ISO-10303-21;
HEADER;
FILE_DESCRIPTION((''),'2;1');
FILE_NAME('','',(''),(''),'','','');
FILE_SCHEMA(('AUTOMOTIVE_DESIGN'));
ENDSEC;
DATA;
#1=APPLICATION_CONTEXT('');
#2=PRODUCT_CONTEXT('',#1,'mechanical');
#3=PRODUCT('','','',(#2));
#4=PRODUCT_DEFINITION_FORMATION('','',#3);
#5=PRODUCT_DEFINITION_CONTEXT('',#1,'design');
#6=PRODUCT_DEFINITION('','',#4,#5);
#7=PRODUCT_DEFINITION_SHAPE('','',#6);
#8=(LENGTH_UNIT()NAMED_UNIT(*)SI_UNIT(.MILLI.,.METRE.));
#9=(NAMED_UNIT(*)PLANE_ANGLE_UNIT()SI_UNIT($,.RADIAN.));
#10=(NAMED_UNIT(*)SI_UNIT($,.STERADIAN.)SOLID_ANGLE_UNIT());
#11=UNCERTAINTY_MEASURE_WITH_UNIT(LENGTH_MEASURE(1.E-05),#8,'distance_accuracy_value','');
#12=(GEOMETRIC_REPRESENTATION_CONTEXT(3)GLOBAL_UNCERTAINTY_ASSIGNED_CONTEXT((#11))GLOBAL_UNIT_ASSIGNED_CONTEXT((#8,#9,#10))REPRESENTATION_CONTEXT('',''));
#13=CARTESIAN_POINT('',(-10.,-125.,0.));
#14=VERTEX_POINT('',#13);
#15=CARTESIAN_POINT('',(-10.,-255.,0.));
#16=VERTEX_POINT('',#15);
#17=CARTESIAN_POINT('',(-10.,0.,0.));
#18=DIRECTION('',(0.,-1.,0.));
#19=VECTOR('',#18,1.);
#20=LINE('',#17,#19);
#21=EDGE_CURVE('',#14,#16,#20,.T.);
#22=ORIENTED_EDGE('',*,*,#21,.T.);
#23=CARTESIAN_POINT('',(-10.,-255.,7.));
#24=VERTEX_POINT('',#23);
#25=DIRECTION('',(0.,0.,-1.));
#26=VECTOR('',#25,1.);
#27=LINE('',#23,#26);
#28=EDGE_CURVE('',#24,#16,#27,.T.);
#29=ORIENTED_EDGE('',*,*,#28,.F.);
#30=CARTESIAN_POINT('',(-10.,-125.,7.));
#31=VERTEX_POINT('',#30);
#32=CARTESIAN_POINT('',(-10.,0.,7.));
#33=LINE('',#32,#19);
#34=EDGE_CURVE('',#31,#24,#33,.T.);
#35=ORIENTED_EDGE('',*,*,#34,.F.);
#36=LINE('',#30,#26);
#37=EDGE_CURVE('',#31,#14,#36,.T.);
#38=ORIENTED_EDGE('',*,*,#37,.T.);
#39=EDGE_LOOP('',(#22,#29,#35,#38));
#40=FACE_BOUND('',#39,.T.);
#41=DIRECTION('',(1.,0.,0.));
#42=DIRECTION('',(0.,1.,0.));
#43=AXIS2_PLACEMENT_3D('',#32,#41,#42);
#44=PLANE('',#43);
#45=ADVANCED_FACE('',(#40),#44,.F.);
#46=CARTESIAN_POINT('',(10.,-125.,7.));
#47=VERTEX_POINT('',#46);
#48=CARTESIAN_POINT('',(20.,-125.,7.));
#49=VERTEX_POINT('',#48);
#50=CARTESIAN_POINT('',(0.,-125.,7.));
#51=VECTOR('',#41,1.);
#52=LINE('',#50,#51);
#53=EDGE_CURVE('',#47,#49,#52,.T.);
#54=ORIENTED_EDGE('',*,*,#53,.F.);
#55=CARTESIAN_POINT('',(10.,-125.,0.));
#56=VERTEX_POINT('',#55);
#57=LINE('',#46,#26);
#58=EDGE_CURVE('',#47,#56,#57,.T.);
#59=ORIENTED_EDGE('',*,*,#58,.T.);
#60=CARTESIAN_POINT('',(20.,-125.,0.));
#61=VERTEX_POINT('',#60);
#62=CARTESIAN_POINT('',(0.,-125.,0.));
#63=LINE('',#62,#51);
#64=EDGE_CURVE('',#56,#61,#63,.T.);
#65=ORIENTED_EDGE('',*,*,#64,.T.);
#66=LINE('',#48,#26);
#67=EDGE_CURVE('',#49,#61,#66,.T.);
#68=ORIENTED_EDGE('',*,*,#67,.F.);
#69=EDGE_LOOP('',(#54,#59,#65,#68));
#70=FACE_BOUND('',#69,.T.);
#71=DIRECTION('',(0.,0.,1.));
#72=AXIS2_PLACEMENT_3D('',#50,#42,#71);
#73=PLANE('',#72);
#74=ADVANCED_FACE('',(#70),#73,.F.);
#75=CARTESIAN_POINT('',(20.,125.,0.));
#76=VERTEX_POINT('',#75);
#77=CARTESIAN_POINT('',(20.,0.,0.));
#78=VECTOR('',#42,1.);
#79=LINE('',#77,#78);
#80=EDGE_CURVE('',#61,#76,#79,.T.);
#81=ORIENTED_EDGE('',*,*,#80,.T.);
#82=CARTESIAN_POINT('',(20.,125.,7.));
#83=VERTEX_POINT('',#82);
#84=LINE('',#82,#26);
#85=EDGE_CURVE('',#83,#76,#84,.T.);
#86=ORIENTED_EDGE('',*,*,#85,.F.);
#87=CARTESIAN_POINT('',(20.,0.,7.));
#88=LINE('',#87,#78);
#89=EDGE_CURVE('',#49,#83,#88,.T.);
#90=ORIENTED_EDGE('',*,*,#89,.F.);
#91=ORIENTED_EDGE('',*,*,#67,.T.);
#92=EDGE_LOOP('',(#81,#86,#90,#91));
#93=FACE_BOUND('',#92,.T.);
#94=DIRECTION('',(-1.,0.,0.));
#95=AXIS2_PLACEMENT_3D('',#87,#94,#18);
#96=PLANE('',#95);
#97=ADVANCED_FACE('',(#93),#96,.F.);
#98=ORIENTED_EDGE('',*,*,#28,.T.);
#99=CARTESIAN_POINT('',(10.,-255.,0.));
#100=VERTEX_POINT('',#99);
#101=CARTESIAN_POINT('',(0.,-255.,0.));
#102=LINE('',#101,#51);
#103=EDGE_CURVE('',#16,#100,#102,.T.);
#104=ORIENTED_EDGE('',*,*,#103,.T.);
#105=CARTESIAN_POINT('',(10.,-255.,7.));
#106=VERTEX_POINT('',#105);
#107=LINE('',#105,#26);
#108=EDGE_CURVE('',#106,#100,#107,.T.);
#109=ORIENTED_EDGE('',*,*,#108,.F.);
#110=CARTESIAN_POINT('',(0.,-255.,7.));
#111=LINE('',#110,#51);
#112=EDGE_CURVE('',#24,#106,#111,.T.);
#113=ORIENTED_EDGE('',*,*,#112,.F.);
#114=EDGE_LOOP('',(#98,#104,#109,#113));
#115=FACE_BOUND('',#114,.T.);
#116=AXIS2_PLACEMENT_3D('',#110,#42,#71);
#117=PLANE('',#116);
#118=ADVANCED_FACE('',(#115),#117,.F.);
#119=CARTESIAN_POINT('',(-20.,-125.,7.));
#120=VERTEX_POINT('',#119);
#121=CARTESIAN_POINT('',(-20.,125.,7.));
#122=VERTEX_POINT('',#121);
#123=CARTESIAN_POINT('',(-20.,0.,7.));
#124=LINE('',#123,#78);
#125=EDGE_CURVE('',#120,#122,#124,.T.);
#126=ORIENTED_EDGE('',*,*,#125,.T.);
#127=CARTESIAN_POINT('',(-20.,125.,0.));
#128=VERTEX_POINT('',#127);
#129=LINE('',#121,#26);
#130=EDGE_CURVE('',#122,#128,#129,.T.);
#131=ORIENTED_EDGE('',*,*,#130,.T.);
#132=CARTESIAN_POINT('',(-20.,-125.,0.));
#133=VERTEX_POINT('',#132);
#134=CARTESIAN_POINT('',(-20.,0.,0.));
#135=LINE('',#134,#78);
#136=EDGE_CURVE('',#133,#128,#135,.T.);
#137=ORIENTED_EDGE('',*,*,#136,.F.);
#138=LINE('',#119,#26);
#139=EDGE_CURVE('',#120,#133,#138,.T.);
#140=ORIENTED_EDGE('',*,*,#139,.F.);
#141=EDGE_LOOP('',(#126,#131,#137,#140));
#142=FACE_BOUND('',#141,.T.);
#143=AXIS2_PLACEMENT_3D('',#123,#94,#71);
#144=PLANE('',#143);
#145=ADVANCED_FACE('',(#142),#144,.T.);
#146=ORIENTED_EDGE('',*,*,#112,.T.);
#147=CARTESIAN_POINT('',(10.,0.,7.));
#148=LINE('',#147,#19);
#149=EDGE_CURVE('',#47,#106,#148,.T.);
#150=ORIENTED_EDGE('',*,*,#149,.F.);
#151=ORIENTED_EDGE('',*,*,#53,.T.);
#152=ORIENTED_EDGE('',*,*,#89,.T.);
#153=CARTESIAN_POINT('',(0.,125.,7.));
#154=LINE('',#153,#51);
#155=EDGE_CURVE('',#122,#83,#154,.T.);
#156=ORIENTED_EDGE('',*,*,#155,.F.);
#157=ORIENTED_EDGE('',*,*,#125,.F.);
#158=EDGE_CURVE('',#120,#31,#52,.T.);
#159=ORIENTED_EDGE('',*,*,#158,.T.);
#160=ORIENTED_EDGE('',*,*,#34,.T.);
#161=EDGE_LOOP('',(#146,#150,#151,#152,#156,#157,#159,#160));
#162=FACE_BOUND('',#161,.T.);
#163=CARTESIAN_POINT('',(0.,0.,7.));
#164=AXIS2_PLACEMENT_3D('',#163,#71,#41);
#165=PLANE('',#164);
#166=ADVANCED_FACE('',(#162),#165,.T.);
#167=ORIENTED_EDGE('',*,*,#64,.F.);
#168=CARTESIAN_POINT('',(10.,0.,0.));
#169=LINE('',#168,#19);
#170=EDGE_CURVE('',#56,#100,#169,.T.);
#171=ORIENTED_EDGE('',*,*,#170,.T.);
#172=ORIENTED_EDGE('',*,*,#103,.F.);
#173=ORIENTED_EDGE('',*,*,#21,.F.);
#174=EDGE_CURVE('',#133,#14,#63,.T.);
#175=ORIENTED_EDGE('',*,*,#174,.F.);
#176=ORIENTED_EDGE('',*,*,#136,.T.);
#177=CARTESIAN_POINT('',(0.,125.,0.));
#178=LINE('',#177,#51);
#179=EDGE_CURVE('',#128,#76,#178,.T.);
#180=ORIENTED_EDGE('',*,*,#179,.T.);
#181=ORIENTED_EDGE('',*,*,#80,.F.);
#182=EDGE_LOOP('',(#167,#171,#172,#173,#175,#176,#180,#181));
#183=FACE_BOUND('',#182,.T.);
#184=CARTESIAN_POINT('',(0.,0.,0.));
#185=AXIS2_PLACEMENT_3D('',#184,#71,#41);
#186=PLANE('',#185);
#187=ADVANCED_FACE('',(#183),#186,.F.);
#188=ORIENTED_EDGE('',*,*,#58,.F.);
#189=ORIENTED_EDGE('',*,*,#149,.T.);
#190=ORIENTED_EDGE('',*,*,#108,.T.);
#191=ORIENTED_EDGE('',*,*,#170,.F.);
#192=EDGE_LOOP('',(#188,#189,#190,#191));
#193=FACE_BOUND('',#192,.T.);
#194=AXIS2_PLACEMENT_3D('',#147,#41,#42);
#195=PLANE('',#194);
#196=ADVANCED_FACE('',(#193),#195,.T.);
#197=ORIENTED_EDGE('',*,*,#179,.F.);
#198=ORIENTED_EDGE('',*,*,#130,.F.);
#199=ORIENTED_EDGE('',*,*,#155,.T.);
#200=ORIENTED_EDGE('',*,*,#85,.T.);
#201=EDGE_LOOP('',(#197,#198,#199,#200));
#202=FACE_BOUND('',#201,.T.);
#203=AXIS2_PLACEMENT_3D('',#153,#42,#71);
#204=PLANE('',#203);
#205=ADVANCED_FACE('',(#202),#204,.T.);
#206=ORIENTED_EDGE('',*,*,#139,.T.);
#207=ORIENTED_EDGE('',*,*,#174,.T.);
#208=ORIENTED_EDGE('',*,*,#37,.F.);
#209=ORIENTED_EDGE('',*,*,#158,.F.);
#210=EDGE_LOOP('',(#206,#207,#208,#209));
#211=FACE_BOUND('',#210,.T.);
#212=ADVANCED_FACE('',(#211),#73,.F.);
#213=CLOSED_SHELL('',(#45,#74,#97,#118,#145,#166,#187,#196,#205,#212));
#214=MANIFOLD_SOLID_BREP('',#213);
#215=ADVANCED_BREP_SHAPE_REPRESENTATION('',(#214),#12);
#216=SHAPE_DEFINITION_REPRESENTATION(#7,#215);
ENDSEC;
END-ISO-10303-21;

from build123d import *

# Parameters (mm, degrees)
SKETCH1_W           = 40
SKETCH1_H           = 250
SKETCH1_W_2         = 20
SKETCH1_H_2         = 130
BOSS_EXTRUDE1_DEPTH = 7


with BuildPart() as part:
    # Sketch1 → Boss-Extrude1 (new body)
    with BuildSketch(Plane.XY):
        Rectangle(SKETCH1_W, SKETCH1_H)
        with Locations((0, -190)):
            Rectangle(SKETCH1_W_2, SKETCH1_H_2)
    extrude(amount=BOSS_EXTRUDE1_DEPTH)


solid = part.part
